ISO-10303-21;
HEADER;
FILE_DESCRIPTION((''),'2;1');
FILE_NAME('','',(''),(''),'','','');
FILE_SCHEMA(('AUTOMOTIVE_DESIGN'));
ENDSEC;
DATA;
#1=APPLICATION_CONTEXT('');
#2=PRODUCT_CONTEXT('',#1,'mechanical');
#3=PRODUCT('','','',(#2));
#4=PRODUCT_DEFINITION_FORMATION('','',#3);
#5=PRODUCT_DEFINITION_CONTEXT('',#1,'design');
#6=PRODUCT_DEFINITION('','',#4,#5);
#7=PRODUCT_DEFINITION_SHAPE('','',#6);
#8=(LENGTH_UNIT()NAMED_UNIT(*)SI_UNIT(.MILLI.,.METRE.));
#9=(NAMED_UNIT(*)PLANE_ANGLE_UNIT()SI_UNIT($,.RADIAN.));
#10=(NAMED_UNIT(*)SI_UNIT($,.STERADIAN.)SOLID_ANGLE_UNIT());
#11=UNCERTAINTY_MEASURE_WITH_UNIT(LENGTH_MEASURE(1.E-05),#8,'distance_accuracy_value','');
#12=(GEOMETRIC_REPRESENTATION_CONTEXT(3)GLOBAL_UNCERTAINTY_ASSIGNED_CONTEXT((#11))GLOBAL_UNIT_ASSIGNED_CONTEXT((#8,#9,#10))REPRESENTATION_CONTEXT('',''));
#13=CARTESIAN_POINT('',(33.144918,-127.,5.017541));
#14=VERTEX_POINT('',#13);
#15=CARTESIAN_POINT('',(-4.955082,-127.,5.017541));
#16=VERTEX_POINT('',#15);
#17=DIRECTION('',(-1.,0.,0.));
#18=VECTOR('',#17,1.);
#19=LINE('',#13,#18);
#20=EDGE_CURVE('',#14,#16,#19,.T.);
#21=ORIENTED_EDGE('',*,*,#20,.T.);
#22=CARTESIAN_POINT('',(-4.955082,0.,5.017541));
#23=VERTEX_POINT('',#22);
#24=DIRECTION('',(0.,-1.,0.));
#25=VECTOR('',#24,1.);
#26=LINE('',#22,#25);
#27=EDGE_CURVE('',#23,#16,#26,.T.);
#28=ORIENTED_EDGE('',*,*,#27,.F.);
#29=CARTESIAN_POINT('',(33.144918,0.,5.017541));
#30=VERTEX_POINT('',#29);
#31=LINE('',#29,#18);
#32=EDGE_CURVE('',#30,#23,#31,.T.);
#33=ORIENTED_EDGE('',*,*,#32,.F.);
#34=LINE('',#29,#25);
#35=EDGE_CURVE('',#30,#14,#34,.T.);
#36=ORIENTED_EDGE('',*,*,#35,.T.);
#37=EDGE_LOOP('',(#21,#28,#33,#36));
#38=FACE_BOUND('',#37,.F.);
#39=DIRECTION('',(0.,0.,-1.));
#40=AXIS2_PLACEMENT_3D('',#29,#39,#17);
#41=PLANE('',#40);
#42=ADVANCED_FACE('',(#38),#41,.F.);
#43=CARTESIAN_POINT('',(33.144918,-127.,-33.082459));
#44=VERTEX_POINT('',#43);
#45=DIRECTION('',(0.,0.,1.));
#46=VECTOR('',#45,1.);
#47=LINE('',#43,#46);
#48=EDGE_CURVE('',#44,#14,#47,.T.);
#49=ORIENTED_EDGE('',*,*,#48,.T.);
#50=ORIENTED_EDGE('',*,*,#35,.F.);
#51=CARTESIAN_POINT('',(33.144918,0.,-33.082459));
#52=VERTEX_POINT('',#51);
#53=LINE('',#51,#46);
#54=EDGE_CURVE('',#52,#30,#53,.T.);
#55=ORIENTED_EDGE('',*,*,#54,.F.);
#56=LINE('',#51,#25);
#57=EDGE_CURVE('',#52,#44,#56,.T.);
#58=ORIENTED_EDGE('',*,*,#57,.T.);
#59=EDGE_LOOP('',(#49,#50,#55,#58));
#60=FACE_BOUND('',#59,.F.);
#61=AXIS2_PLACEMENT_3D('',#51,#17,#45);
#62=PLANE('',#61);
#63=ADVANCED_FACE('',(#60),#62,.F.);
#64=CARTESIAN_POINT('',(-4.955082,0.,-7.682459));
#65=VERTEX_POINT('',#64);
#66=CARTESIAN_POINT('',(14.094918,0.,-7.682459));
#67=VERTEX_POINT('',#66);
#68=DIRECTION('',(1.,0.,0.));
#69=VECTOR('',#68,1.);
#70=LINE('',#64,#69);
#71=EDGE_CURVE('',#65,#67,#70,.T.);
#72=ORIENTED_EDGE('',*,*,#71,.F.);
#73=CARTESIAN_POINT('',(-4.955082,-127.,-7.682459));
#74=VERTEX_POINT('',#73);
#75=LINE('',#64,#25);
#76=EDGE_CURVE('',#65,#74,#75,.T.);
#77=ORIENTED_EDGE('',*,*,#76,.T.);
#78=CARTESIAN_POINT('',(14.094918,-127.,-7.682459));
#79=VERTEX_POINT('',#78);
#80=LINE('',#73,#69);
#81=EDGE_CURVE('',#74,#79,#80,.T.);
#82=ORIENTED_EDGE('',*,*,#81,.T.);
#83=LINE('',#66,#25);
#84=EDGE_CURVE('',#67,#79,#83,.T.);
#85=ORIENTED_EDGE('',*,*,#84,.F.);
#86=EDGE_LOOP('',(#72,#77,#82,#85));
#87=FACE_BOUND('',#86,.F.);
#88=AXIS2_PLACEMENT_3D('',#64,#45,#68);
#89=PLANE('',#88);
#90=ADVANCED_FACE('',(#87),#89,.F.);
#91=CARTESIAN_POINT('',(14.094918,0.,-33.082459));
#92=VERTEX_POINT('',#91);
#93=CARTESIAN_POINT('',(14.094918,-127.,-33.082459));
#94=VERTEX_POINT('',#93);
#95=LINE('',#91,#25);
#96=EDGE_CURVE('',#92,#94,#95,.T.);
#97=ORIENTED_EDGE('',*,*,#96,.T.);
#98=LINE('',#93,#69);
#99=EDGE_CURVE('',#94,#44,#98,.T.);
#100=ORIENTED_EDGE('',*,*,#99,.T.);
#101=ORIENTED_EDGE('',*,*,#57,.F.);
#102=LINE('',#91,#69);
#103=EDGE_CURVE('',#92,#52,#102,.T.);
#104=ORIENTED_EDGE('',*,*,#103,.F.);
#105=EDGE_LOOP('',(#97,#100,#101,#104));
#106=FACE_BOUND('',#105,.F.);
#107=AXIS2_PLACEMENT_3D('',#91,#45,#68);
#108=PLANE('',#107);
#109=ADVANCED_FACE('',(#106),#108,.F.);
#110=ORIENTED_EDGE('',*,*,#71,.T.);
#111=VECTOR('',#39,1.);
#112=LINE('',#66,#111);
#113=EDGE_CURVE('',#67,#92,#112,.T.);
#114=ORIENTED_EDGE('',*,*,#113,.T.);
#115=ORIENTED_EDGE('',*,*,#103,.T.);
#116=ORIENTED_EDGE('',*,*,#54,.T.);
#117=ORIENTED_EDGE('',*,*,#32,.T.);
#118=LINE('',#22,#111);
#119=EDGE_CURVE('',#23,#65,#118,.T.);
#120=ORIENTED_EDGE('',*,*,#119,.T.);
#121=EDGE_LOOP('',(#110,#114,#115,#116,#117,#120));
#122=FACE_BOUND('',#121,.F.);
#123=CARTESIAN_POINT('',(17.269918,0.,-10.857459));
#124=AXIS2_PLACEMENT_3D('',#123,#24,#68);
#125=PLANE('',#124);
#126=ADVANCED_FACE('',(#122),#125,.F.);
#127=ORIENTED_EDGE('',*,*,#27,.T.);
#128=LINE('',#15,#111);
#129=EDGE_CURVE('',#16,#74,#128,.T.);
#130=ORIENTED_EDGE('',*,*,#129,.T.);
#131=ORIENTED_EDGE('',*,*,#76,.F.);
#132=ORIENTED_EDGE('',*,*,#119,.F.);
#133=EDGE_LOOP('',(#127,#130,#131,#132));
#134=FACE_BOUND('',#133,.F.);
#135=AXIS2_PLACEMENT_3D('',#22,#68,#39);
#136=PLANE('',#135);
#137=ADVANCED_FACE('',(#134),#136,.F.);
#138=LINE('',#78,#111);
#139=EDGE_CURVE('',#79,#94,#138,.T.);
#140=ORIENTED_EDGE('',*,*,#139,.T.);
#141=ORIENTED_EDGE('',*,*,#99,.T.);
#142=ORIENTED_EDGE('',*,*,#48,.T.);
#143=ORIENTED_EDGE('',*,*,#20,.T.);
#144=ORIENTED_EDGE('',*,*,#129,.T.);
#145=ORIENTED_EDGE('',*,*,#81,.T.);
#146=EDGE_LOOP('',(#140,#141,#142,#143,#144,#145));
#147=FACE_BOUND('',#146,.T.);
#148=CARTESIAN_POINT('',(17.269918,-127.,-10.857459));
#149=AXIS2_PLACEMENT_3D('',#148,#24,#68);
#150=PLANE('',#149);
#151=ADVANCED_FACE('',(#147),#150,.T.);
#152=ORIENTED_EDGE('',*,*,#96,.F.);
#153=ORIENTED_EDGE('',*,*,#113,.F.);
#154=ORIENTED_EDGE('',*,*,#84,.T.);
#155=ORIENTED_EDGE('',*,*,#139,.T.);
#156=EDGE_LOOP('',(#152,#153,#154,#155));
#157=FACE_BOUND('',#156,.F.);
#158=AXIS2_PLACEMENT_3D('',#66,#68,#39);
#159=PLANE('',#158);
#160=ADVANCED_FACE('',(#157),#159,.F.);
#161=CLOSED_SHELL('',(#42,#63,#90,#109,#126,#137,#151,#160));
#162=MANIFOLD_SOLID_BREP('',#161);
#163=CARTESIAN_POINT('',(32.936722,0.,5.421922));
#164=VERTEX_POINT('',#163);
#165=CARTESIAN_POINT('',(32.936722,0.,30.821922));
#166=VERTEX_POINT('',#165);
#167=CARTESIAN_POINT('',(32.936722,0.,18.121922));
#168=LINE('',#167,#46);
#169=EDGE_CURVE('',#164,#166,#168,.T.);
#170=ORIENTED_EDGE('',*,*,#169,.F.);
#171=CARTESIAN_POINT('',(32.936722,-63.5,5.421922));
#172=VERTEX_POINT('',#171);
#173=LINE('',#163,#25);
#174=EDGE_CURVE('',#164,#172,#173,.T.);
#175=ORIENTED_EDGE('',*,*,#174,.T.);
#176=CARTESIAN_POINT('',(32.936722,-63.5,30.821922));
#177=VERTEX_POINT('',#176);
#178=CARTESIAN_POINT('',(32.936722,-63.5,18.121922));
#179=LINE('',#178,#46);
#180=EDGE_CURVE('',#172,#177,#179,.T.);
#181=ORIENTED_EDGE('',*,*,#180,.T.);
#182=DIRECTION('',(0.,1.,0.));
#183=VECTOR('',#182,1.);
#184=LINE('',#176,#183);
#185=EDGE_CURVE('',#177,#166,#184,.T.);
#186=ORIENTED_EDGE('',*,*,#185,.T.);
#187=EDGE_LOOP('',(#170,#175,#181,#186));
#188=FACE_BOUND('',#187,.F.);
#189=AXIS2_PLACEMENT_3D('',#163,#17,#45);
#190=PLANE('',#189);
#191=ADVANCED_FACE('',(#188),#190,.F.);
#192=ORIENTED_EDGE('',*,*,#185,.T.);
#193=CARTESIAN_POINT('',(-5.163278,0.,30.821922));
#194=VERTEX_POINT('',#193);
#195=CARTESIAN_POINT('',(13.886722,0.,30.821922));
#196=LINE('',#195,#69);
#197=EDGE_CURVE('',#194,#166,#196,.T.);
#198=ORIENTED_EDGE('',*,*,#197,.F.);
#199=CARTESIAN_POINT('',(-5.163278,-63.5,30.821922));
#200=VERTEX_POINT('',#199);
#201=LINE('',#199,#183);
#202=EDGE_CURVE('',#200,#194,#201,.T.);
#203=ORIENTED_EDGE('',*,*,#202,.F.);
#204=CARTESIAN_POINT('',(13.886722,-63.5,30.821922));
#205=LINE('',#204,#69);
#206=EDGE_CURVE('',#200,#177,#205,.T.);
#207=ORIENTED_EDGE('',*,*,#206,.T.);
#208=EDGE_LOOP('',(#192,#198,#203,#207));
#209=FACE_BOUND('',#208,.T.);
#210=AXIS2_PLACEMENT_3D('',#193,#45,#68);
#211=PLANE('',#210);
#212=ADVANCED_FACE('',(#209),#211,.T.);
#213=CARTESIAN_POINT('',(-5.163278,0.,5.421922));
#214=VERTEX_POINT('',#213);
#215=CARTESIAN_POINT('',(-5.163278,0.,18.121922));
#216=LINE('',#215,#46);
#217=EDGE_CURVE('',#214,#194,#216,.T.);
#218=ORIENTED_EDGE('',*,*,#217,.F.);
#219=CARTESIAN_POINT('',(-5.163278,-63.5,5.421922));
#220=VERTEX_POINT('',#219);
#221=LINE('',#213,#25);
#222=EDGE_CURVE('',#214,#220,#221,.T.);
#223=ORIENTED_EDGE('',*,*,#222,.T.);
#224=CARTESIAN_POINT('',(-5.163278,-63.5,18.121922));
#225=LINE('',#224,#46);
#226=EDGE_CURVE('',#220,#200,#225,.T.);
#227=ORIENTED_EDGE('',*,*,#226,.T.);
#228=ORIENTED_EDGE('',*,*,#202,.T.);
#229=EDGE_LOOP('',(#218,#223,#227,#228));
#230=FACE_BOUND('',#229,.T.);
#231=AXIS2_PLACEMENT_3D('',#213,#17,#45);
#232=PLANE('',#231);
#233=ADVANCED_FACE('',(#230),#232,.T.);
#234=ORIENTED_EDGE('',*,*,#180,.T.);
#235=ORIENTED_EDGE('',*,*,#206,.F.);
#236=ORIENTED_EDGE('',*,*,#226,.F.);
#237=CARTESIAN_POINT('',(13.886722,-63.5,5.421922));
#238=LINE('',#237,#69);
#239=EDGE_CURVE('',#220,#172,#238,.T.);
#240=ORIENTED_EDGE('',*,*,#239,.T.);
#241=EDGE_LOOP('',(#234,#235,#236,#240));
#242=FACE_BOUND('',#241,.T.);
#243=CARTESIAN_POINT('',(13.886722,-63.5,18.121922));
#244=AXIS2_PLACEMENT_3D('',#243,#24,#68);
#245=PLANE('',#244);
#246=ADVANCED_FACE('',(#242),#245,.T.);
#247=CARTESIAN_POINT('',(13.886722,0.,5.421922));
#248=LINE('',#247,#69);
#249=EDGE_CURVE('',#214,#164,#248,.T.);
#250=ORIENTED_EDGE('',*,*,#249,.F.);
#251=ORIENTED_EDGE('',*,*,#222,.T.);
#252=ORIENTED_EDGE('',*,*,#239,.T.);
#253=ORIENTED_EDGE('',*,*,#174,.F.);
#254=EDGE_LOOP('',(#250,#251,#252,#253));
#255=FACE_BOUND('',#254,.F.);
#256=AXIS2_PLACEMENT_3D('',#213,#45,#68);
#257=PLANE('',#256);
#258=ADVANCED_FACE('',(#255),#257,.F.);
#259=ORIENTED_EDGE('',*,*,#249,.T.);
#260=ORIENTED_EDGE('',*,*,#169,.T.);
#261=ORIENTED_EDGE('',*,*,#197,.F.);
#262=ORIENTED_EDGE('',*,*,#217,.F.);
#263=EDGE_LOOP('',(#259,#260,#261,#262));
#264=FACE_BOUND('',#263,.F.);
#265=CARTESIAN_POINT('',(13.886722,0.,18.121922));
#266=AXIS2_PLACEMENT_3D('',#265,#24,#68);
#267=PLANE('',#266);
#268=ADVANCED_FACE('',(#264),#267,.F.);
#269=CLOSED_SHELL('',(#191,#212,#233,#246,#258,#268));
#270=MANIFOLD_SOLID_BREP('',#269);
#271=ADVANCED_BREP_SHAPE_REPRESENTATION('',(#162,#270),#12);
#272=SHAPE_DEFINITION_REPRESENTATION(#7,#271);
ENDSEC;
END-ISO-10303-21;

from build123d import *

# Parameters (mm, degrees)
F1_DEPTH = 127
F2_W     = 38.1
F2_H     = 25.4
F3_DEPTH = 33.274
F4_DEPTH = 63.5


with BuildPart() as f1:
    # F0 (on Front) → F1 (new body)
    with BuildSketch(Plane.XZ):
        Polygon((14.094918, -7.682459), (14.094918, -33.082459), (33.144918, -33.082459), (33.144918, 5.017541), (-4.955082, 5.017541), (-4.955082, -7.682459), align=None)
    extrude(amount=F1_DEPTH)


with BuildPart() as f3:
    # F2 (on Front) → F3 (new body)
    with BuildSketch(Plane.XZ):
        with Locations((13.886722, 18.121922)):
            Rectangle(F2_W, F2_H)
    extrude(amount=F3_DEPTH)

    # F2 (on Front) → F4 (join)
    with BuildSketch(Plane.XZ):
        with Locations((13.886722, 18.121922)):
            Rectangle(F2_W, F2_H)
    extrude(amount=F4_DEPTH)


solid = Compound([f1.part, f3.part])
